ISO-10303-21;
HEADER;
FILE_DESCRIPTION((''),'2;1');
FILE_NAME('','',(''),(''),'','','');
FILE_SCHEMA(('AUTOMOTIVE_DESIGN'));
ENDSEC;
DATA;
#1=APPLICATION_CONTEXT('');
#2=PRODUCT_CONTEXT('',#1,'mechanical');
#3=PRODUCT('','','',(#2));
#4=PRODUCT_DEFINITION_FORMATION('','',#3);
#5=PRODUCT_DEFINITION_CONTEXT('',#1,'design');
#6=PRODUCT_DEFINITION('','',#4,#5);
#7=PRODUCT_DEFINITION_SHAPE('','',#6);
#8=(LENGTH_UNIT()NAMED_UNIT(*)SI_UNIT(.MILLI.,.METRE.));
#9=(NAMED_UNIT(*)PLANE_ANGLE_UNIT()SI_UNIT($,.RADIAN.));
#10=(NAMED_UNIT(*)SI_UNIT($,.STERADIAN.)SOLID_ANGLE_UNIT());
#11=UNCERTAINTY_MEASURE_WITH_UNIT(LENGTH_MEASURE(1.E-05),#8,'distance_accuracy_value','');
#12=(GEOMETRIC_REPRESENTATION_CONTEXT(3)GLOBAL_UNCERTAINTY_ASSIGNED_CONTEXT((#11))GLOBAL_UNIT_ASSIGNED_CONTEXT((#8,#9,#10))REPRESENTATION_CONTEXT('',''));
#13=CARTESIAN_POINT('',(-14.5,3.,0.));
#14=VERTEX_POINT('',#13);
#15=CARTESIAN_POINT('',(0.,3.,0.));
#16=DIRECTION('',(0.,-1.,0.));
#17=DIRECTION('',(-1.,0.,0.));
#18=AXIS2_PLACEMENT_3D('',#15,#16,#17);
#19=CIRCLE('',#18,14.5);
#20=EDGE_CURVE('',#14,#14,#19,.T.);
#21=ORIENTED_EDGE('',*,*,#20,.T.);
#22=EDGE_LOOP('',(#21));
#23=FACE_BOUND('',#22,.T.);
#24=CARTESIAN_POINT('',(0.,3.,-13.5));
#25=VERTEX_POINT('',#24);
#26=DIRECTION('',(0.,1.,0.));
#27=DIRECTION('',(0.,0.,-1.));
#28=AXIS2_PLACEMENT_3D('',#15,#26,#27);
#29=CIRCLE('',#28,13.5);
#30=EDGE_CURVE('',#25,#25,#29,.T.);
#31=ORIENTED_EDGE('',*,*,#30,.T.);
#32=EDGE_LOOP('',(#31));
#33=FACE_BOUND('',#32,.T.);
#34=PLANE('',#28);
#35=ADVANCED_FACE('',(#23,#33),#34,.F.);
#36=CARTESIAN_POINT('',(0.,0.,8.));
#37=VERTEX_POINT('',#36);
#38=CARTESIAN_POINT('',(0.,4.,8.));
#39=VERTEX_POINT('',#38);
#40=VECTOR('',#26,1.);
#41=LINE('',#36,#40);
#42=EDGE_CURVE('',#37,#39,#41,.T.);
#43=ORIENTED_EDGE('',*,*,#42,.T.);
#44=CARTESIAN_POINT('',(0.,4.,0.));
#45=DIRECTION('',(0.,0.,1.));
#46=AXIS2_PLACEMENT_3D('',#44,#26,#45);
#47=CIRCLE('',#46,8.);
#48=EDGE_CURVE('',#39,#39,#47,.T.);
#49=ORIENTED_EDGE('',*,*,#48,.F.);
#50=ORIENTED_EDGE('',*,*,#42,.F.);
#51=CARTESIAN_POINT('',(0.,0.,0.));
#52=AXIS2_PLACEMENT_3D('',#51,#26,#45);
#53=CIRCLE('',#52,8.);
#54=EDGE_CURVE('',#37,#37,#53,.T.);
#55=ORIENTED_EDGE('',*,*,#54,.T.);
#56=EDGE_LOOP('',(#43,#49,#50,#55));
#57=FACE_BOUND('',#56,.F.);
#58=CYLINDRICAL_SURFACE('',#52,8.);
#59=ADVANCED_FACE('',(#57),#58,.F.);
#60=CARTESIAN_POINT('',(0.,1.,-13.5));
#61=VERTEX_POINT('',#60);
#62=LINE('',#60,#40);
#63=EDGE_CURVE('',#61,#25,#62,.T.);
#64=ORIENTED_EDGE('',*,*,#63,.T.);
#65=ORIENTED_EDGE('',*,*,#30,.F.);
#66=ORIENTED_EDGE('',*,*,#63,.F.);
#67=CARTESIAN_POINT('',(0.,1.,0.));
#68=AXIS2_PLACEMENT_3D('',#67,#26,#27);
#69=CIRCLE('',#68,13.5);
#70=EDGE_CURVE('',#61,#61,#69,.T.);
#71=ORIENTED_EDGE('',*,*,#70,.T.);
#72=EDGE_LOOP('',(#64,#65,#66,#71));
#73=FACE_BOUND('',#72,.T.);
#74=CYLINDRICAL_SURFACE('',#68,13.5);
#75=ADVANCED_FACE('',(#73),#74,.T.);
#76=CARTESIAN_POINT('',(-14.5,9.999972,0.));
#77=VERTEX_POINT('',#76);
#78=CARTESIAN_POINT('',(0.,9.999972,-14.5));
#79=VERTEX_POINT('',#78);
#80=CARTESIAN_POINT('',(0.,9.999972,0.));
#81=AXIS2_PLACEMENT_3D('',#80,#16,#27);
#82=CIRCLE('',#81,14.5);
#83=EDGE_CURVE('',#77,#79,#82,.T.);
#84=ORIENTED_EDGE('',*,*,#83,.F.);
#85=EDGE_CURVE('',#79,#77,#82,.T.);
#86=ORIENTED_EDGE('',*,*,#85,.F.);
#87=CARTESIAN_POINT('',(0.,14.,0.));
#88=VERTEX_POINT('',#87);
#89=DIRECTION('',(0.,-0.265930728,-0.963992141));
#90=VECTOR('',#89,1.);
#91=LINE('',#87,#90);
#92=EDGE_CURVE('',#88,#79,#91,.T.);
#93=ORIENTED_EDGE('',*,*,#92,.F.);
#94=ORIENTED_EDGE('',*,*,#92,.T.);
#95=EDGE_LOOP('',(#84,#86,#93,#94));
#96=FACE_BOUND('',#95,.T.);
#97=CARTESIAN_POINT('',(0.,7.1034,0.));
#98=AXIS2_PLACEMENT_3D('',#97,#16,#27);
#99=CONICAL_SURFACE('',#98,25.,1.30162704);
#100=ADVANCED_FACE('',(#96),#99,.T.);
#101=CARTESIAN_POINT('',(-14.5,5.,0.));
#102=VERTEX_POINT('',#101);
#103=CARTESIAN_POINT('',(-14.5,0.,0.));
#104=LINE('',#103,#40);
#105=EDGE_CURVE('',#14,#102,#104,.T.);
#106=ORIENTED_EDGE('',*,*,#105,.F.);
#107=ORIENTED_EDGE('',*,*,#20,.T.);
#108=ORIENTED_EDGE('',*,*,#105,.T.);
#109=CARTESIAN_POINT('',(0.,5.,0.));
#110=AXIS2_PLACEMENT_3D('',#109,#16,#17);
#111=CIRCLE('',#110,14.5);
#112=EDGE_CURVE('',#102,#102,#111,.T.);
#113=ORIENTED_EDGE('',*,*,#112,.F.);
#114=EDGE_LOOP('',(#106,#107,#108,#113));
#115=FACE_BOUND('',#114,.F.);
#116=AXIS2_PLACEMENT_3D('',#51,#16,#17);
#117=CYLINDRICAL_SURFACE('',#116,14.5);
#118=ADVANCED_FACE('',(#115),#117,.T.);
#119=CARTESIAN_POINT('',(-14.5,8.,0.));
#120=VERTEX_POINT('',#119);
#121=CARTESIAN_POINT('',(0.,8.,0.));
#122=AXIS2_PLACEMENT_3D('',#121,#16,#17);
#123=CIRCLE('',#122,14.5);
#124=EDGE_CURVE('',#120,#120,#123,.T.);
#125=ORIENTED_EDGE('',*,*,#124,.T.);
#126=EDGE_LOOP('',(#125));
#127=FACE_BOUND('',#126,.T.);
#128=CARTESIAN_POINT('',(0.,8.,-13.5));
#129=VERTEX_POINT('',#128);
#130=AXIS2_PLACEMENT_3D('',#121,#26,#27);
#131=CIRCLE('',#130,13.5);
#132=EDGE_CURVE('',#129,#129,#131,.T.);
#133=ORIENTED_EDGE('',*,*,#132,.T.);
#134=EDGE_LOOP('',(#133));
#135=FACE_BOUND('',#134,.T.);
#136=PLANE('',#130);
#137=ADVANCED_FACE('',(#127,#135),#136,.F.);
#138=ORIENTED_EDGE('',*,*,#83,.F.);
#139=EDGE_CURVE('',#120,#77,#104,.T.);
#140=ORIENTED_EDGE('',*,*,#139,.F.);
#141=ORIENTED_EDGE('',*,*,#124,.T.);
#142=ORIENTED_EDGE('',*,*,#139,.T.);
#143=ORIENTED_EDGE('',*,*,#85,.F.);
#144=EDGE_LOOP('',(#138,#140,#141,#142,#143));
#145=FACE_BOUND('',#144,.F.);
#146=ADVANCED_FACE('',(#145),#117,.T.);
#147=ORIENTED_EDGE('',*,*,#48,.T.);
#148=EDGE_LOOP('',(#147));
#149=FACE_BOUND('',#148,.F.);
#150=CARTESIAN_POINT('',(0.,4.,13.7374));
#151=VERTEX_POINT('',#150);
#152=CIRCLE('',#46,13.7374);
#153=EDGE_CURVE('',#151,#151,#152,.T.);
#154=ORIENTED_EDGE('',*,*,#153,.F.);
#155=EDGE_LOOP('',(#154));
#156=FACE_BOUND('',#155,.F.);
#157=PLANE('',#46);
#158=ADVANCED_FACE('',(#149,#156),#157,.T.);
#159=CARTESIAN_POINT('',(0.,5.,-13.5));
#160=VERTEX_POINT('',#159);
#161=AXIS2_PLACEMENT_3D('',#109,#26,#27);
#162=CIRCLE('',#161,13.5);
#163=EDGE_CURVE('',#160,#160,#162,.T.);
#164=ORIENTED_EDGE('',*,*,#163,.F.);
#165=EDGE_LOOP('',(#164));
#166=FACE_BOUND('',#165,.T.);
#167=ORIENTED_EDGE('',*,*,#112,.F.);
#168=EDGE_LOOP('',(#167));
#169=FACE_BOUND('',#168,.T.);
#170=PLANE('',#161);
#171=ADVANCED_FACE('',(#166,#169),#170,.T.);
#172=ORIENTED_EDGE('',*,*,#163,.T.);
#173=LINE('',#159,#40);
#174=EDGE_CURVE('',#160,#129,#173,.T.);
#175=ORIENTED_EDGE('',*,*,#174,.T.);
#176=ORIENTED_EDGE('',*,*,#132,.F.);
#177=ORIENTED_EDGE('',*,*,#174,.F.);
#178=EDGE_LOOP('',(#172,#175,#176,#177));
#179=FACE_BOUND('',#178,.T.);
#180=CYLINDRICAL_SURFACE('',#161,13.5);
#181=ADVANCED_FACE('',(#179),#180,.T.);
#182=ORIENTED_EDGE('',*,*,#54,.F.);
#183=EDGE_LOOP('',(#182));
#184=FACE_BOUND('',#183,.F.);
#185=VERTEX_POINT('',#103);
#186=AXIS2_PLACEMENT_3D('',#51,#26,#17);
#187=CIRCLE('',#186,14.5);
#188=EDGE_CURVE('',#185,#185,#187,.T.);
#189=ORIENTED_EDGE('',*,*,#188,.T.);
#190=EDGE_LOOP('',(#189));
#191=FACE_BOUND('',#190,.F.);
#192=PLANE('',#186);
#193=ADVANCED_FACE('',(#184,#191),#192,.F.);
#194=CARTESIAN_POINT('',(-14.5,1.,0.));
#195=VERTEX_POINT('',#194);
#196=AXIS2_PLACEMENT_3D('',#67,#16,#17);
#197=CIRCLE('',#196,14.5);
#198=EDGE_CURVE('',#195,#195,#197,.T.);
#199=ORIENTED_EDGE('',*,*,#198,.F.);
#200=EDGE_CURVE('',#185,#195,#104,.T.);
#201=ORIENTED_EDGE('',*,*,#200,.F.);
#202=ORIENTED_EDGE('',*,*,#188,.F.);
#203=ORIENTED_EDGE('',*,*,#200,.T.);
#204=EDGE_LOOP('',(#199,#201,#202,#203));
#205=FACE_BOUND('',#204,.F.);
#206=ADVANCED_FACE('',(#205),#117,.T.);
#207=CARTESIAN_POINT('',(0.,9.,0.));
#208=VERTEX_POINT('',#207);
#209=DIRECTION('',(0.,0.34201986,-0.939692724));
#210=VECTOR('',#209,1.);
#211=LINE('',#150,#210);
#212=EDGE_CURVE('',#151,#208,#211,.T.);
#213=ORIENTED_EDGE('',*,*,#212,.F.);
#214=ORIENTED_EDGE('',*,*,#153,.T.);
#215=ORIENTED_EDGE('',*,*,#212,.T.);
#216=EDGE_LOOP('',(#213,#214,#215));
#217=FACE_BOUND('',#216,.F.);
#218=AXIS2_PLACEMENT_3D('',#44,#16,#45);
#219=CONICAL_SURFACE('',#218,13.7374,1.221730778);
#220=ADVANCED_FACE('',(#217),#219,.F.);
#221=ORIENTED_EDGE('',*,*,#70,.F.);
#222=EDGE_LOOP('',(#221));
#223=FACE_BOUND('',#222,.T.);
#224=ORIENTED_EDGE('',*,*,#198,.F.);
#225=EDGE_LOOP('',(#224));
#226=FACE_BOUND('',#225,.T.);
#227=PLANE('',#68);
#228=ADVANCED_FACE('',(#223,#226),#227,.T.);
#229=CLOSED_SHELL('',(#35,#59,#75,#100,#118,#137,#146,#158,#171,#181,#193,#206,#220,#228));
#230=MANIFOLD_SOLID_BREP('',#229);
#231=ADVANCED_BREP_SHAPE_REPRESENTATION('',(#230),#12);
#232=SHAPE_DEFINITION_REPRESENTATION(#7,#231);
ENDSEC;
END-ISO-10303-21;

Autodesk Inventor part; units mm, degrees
ref_plane "YZ Plane" through (0, 0, 0) normal (1, 0, 0) x (0, 1, 0)
ref_plane "XZ Plane" through (0, 0, 0) normal (0, 1, 0) x (-1, 0, 0)
ref_plane "XY Plane" through (0, 0, 0) normal (0, 0, 1) x (1, 0, 0)
sketch "Sketch1" plane through (0, 0, 0) normal (0, 1, 0) x (-1, 0, 0)
  circle A0 centre (0, 0) radius 14.5
  dimension "d0" = 29
extrude "Extrusion1" add sketch "Sketch1" along normal blind 14
sketch "Sketch2" plane through (0, 0, 0) normal (1, 0, 0) x (0, 1, 0)
  line L0 (14, -14.5) -> (14, 14.5) projected
  line L1 (14, 0) -> (14, -25)
  line L2 (14, -25) -> (7.1034, -25)
  line L3 (7.1034, -25) -> (14, 0)
  line L4 (5, -14.5) -> (5, -13.5)
  line L5 (5, -13.5) -> (8, -13.5)
  line L6 (8, -13.5) -> (8, -14.5)
  line L7 (8, -14.5) -> (5, -14.5)
  line L8 (1, -13.5) -> (3, -13.5)
  line L9 (3, -13.5) -> (3, -14.5)
  line L10 (3, -14.5) -> (1, -14.5)
  line L11 (1, -14.5) -> (1, -13.5)
  line L12 (0, 14.5) -> (0, -14.5) projected
  line L13 (0, -14.5) -> (14, -14.5) projected
  line L14 (-2.8, 0) -> (16.8, 0) projected
  point P0 (0, 0)
  point P1 (10, -14.5)
  dimension "d3" = 1
  dimension "d4" = 3
  dimension "d5" = 2
  dimension "d6" = 1
  dimension "d7" = 2
  dimension "d8" = 1
  dimension "d9" = 2
  dimension "d10" = 25
revolve "Revolution1" cut sketch "Sketch2" angle 360 about axis through (0, -10, 0) along (0, 1, 0) contours L13 L3 L0 | L1 L2 L3 L13 | L7 L4 L5 L6 | L11 L8 L9 L10
sketch "Sketch3" plane through (0, 0, 0) normal (1, 0, 0) x (0, 1, 0)
  line L0 (0, 0) -> (0, 8)
  line L1 (0, 8) -> (4, 8)
  line L2 (4, 8) -> (4, 13.7374)
  line L3 (4, 13.7374) -> (9, 0)
  line L4 (9, 0) -> (0, 0)
  line L5 (9, 0) -> (9, 10.144) construction
  line L6 (0, 14.5) -> (0, -14.5) construction
  line L7 (-2.8, 0) -> (16.8, 0) construction
  point P0 (0, 0)
  dimension "d12" = 8
  dimension "d13" = 4
  dimension "d14" = 5
  dimension "d15" = 20
  dimension "d19" = 10.144
revolve "Revolution2" cut sketch "Sketch3" angle 360 about axis through (0, -10, 0) along (0, 1, 0)
properties part number "Valvula"
